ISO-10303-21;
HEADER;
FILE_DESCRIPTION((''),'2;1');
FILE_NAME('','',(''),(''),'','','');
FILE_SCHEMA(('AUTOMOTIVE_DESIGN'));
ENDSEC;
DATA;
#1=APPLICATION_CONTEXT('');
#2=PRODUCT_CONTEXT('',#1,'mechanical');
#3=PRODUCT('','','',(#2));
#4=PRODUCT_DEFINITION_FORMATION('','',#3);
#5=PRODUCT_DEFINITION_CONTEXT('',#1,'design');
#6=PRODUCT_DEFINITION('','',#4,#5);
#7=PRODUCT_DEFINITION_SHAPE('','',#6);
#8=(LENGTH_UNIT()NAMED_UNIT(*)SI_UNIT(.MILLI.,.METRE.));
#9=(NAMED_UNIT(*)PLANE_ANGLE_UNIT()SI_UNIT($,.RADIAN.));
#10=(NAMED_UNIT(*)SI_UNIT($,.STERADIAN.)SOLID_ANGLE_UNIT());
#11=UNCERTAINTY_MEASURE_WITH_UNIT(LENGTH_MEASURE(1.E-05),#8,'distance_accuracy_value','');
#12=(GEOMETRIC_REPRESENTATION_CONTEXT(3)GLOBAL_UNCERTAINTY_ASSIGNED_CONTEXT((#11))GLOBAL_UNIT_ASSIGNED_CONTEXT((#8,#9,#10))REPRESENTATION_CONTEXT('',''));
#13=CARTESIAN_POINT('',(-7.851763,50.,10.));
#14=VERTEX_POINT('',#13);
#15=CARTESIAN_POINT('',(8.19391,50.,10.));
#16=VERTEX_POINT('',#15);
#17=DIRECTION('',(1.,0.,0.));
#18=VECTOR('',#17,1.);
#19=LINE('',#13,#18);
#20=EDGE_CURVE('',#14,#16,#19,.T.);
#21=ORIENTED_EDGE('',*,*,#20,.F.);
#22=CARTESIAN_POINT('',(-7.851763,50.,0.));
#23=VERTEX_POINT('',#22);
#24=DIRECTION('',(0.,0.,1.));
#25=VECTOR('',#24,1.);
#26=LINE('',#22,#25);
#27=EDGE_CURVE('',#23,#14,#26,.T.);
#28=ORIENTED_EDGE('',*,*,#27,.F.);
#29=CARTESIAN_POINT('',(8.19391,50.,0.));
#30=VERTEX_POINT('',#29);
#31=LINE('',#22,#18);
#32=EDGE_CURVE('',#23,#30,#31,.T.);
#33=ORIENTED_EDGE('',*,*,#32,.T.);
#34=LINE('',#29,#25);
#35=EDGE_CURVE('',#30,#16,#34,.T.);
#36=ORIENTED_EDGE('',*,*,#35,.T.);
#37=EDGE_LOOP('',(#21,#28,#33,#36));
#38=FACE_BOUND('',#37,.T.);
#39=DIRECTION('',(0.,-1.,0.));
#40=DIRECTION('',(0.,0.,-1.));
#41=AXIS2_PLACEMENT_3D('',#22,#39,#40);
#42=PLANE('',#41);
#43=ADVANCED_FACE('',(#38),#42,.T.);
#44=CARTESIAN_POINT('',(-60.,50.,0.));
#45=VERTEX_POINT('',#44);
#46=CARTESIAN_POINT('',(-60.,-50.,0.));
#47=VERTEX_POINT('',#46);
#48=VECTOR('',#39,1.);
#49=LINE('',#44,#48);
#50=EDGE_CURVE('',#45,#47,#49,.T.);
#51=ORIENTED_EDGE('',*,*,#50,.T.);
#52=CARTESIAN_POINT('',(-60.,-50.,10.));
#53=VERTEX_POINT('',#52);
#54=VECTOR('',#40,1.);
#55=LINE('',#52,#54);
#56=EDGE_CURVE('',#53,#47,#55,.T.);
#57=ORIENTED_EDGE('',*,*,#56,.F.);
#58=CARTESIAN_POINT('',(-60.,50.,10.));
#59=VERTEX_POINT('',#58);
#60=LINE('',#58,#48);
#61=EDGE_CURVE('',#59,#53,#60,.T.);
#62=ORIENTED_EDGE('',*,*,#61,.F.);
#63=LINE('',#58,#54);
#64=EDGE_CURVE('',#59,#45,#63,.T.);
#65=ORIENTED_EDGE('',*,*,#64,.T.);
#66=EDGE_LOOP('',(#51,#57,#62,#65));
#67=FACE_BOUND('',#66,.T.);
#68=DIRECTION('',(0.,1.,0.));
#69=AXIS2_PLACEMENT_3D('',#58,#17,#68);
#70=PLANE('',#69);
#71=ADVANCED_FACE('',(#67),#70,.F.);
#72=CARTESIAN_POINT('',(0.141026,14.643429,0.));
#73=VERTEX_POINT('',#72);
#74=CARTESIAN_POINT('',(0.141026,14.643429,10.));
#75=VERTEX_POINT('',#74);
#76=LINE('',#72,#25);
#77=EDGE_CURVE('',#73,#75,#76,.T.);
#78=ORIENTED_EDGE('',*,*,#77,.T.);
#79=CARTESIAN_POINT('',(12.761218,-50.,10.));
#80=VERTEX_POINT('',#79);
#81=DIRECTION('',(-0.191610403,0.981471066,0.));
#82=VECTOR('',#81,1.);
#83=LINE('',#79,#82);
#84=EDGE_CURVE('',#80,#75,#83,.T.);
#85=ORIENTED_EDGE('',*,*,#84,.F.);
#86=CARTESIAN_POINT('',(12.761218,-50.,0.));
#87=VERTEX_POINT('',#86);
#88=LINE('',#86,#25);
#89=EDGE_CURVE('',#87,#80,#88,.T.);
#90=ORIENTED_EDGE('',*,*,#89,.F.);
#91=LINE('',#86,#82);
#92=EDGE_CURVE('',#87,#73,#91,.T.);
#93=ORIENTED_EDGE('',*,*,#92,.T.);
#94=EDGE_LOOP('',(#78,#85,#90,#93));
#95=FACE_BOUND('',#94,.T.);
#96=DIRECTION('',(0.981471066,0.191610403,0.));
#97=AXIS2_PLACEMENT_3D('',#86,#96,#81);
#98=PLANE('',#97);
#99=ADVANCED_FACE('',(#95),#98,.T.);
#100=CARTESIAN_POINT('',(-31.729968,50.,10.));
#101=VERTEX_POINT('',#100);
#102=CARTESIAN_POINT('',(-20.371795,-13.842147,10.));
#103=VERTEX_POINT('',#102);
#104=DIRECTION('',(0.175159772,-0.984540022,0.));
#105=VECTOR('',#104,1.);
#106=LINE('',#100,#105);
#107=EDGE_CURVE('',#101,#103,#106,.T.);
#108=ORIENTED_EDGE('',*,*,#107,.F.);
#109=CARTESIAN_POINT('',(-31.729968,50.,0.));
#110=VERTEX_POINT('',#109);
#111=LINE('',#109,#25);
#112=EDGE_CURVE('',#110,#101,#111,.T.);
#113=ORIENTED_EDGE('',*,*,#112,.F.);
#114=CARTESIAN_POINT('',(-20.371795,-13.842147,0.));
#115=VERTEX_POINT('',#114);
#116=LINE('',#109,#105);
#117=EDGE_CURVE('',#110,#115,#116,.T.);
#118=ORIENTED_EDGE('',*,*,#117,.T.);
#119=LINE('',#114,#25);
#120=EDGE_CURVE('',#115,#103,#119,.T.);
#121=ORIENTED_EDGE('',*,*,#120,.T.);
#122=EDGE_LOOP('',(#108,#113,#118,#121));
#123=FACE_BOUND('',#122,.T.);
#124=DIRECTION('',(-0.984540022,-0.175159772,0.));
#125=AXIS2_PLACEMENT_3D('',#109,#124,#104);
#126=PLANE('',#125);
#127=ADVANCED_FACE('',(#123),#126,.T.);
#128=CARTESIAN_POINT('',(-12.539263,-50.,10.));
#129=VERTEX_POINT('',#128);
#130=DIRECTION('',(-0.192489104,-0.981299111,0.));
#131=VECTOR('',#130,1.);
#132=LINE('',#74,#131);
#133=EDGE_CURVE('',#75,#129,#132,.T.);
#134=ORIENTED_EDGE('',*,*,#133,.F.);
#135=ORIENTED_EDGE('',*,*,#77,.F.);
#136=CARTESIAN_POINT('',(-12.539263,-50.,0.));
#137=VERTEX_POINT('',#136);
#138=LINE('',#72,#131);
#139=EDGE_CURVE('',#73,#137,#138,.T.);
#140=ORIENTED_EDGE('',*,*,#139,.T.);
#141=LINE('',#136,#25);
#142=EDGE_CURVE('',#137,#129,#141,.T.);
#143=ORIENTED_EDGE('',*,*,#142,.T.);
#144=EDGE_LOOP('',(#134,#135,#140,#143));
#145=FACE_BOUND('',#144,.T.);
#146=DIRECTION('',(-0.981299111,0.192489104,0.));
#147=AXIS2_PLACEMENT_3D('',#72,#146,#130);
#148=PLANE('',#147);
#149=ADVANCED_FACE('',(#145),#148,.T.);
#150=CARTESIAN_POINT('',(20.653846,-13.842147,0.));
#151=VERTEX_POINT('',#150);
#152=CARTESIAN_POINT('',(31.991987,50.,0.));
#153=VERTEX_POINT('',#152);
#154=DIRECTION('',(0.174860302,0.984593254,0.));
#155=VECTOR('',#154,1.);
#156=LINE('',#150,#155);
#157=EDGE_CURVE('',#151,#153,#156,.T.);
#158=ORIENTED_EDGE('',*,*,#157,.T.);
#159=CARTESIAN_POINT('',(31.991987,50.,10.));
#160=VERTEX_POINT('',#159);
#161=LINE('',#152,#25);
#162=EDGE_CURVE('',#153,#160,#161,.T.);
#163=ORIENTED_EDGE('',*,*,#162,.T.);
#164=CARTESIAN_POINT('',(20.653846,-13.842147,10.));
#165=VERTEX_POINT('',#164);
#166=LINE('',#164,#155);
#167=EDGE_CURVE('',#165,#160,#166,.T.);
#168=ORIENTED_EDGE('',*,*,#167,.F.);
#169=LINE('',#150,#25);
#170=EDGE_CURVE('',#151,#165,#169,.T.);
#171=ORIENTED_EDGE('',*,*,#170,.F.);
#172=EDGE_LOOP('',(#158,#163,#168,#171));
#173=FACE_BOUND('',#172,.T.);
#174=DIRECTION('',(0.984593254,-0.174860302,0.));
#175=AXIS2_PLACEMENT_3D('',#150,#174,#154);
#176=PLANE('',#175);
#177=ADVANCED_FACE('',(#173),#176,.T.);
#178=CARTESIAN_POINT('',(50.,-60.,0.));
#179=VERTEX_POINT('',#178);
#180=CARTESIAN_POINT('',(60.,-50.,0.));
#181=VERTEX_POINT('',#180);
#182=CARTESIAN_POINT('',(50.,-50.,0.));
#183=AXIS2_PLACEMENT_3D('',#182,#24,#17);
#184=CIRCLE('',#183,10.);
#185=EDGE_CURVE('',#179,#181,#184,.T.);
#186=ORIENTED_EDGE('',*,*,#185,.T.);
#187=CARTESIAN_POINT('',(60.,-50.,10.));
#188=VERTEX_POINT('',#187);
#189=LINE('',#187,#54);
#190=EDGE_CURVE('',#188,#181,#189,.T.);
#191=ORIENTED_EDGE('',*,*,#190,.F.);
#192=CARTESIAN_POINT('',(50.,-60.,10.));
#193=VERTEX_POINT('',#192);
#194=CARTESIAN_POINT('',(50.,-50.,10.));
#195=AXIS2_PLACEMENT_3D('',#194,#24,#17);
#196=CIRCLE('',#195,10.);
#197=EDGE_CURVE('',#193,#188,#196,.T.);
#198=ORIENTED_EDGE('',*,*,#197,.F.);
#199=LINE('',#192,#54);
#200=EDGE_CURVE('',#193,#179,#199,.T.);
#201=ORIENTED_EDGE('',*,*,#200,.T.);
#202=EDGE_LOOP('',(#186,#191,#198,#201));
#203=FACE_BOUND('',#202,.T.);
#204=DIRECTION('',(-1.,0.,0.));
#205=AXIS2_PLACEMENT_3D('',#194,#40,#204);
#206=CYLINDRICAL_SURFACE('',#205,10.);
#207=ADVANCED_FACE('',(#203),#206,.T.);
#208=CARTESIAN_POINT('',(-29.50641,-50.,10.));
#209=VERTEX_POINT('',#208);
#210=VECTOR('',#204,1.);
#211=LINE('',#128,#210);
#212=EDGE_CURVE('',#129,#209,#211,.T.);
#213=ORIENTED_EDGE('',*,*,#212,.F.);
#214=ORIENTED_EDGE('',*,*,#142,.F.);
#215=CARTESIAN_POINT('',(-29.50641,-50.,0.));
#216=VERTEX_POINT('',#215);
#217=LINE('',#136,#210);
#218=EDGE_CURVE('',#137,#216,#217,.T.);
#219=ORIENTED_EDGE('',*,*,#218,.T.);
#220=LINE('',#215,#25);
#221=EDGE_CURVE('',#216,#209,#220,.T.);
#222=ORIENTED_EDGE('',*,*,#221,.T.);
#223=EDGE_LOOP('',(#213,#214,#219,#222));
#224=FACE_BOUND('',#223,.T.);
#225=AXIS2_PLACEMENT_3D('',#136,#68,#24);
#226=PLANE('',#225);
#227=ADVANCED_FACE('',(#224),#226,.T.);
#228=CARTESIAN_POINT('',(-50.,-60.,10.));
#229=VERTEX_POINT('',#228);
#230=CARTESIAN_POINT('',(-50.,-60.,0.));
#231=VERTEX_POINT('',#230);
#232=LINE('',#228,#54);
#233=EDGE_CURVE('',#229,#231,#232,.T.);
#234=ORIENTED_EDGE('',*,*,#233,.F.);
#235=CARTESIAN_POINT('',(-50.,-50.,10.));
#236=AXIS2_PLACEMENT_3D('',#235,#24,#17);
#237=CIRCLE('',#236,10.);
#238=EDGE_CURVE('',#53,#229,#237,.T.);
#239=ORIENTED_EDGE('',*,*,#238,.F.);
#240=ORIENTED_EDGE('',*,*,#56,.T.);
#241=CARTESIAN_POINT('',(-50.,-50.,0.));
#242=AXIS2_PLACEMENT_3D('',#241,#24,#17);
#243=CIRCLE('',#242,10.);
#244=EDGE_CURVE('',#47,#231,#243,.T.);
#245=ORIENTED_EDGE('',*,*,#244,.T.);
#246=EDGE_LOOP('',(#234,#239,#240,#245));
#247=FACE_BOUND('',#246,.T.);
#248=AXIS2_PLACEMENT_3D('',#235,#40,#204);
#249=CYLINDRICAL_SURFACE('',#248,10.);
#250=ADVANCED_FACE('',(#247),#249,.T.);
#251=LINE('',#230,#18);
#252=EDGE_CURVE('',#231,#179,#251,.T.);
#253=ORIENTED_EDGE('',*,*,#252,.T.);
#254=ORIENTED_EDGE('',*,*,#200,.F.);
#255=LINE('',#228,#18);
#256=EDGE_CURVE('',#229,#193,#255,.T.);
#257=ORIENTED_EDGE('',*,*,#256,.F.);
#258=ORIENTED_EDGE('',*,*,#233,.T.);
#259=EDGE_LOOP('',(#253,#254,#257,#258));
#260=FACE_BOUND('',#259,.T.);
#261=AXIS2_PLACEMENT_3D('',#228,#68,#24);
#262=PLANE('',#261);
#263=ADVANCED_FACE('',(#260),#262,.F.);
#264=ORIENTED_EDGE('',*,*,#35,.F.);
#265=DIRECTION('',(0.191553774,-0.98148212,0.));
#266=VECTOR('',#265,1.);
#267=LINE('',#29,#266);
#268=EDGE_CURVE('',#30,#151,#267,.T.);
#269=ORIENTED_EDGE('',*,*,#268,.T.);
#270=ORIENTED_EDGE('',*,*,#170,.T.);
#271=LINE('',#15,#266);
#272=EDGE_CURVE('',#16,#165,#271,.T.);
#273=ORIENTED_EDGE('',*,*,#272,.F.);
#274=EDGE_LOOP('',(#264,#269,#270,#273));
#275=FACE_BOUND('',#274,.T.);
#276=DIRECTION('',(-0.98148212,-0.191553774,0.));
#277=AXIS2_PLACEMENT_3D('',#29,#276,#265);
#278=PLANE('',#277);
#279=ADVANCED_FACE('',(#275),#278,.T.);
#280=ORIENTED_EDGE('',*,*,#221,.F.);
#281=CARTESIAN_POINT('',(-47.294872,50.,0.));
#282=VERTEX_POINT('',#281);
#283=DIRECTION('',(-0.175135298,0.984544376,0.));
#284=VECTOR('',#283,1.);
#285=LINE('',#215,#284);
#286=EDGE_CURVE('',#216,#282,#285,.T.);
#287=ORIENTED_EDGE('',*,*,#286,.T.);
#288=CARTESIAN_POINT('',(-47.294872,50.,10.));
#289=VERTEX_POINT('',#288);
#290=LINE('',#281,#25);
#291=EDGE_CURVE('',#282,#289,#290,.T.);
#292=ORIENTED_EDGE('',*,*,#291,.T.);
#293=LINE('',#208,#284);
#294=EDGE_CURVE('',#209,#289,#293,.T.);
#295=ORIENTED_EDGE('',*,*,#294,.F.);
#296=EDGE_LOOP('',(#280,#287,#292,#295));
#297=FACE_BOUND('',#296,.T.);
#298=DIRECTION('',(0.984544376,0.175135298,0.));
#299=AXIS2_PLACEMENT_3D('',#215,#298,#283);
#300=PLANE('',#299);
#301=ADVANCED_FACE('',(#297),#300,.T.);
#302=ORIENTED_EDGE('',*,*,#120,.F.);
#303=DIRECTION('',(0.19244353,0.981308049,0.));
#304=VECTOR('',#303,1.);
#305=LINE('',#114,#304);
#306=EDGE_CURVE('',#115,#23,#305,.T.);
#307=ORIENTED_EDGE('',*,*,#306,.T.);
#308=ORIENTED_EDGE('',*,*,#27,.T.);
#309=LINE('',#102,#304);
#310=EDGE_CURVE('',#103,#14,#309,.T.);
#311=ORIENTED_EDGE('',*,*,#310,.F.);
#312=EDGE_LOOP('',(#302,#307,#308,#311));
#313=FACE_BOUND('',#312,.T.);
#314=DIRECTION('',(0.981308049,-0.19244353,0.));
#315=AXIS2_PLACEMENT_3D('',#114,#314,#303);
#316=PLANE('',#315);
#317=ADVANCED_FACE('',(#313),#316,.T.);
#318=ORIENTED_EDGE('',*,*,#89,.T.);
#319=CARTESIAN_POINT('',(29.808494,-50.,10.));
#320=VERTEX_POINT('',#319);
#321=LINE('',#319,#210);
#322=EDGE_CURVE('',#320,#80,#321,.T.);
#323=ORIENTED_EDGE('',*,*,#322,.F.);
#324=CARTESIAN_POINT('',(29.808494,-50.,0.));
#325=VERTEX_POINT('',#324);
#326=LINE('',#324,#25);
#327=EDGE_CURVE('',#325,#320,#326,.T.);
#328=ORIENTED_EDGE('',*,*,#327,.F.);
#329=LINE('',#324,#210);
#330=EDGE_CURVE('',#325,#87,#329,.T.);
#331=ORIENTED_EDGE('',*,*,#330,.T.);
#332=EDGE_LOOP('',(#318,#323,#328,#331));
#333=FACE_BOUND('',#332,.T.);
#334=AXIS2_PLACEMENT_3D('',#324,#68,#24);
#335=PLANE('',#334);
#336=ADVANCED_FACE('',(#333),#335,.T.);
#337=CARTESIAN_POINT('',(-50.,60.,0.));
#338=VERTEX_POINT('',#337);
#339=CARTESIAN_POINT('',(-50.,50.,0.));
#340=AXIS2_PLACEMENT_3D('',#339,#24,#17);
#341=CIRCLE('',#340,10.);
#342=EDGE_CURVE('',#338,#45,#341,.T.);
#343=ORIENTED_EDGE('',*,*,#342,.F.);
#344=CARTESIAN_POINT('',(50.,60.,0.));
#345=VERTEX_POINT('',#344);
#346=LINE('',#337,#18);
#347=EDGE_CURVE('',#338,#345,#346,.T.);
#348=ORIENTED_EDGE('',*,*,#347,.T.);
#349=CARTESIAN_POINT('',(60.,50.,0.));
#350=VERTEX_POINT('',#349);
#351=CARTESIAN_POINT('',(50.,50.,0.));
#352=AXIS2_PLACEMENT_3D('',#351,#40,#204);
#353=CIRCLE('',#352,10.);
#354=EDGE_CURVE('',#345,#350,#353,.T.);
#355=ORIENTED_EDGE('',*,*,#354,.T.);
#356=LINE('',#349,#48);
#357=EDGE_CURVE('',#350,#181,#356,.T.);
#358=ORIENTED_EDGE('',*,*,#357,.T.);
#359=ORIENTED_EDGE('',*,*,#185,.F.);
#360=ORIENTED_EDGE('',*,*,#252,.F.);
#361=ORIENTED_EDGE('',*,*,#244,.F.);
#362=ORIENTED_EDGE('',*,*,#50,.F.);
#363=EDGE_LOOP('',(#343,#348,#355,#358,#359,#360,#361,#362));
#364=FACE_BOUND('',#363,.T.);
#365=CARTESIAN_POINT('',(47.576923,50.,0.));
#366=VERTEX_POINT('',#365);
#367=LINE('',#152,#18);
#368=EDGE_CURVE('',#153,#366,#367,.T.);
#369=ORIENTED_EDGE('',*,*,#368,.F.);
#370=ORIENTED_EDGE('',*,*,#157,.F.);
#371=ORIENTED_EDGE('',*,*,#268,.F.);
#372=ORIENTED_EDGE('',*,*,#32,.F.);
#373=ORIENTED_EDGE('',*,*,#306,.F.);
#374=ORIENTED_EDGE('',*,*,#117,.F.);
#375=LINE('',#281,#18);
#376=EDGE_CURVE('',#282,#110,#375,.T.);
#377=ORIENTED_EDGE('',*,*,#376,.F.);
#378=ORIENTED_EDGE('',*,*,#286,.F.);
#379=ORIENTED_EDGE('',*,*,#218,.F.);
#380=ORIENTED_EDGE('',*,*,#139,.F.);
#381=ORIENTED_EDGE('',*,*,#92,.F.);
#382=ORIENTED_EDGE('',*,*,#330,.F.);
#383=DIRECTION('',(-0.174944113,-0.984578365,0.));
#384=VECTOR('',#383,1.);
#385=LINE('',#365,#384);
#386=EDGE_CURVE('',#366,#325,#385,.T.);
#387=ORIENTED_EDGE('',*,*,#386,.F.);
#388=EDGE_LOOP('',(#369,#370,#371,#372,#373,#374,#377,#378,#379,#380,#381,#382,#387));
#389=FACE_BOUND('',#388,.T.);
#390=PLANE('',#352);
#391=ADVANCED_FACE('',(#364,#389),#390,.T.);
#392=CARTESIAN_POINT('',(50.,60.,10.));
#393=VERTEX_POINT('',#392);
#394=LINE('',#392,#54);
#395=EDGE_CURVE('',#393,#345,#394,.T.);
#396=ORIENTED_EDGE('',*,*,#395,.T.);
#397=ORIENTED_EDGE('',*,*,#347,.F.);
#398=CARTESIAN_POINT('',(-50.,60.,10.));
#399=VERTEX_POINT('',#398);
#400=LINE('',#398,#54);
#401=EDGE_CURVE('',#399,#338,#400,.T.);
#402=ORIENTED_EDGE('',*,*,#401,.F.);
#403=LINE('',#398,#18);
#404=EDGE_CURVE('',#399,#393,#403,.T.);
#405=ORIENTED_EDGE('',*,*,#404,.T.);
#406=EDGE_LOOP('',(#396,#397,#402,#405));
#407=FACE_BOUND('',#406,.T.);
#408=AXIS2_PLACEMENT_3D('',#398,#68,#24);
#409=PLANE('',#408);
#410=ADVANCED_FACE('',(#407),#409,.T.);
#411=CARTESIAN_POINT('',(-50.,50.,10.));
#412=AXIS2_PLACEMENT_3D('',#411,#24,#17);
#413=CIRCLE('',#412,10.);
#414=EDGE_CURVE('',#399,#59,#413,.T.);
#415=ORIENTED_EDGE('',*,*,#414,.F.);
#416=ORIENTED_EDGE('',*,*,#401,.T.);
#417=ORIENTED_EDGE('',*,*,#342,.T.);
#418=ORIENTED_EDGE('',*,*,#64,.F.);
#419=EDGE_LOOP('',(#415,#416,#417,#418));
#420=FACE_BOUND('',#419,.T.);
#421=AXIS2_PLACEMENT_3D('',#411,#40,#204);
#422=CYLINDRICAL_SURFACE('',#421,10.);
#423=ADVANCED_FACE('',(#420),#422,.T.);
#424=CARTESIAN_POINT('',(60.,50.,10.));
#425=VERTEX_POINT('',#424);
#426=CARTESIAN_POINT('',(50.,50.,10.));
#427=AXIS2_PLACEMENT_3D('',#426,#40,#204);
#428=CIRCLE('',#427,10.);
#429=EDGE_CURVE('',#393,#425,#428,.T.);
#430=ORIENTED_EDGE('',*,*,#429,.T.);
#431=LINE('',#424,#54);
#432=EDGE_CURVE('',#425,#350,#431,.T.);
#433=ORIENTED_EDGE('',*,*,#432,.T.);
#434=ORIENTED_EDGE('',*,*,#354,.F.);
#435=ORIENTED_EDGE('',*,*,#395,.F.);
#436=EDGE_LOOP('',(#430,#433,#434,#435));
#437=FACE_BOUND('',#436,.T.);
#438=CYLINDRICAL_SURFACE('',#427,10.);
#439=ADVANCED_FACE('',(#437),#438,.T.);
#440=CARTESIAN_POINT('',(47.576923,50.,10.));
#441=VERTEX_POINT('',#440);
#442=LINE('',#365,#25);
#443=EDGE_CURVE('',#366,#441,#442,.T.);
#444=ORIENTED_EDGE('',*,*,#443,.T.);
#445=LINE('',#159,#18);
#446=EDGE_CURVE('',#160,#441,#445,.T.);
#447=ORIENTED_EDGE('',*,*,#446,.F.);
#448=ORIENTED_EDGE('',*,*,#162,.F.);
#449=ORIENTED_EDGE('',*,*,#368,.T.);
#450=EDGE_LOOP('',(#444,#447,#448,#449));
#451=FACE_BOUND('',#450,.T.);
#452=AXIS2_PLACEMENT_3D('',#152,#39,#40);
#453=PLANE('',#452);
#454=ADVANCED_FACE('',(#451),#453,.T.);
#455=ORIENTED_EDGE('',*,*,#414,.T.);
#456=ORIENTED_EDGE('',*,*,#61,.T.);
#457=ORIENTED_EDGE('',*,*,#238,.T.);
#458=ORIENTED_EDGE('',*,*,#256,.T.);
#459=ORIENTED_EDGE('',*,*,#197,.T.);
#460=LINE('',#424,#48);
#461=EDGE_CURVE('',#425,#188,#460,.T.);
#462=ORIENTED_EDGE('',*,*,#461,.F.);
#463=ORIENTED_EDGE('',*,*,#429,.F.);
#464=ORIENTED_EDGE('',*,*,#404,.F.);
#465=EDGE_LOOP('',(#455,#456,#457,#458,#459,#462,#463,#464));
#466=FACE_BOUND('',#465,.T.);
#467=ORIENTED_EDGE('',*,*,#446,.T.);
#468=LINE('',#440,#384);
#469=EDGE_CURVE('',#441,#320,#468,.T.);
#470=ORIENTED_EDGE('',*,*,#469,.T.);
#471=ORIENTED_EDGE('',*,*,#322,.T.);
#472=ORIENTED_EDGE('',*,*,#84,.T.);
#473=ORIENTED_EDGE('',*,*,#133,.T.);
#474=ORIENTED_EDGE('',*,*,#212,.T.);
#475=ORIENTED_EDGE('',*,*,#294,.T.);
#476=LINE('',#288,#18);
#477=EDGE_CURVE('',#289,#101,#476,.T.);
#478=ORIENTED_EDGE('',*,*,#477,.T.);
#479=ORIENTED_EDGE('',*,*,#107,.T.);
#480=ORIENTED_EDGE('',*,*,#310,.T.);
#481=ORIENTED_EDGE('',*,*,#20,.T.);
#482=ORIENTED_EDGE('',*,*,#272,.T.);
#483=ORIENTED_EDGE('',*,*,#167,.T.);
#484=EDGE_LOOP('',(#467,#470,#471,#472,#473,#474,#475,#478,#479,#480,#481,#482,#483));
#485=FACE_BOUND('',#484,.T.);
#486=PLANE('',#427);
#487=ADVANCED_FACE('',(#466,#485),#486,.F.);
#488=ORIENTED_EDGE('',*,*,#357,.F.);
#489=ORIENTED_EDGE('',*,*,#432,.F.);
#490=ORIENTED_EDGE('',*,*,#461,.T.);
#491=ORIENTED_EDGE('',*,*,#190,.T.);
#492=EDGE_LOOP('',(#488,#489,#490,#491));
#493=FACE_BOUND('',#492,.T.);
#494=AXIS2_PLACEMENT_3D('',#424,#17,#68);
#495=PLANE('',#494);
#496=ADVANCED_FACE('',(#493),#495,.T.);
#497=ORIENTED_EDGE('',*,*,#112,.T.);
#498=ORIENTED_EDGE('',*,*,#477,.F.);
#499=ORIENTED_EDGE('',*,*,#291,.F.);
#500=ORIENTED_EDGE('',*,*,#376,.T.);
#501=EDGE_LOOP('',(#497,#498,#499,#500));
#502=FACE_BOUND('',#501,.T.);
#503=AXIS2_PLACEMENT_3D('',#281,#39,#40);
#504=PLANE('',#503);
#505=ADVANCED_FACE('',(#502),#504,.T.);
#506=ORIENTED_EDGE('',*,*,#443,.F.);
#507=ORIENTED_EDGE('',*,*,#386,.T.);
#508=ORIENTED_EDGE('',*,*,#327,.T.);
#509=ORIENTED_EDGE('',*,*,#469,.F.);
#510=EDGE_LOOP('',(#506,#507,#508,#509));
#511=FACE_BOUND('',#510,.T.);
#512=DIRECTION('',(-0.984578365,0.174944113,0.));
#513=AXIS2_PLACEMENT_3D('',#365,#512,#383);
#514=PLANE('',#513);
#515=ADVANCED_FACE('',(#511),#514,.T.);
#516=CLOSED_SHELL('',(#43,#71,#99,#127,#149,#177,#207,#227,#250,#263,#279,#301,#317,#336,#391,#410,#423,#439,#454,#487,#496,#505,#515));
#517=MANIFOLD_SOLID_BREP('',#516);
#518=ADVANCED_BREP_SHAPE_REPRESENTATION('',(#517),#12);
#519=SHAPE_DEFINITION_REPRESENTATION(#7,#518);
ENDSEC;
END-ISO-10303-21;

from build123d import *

# Parameters (mm, degrees)
BOSS_EXTRUDE1_DEPTH = 10
CUT_EXTRUDE36_DEPTH = 10


with BuildPart() as part:
    # Sketch1 → Boss-Extrude1 (new body)
    with BuildSketch(Plane.XY):
        with BuildLine():
            Line((-50, 60), (50, 60))
            ThreePointArc((50, 60), (57.071067812, 57.071067812), (60, 50))
            Line((60, 50), (60, -50))
            ThreePointArc((60, -50), (57.071067812, -57.071067812), (50, -60))
            Line((50, -60), (-50, -60))
            ThreePointArc((-50, -60), (-57.071067812, -57.071067812), (-60, -50))
            Line((-60, -50), (-60, 50))
            ThreePointArc((-60, 50), (-57.071067812, 57.071067812), (-50, 60))
        make_face()
    extrude(amount=BOSS_EXTRUDE1_DEPTH)

    # Sketch2 → Cut-Extrude36 (cut)
    with BuildSketch(Plane.XY.offset(10)):
        Polygon((-47.294871795, 50), (-31.729967949, 50), (-20.371794872, -13.842147436), (-7.851762821, 50), (8.193910256, 50), (20.653846154, -13.842147436), (31.991987179, 50), (47.576923077, 50), (29.80849359, -50), (12.761217949, -50), (0.141025641, 14.643429487), (-12.539262821, -50), (-29.506410256, -50), align=None)
    extrude(amount=-CUT_EXTRUDE36_DEPTH, mode=Mode.SUBTRACT)


solid = part.part
